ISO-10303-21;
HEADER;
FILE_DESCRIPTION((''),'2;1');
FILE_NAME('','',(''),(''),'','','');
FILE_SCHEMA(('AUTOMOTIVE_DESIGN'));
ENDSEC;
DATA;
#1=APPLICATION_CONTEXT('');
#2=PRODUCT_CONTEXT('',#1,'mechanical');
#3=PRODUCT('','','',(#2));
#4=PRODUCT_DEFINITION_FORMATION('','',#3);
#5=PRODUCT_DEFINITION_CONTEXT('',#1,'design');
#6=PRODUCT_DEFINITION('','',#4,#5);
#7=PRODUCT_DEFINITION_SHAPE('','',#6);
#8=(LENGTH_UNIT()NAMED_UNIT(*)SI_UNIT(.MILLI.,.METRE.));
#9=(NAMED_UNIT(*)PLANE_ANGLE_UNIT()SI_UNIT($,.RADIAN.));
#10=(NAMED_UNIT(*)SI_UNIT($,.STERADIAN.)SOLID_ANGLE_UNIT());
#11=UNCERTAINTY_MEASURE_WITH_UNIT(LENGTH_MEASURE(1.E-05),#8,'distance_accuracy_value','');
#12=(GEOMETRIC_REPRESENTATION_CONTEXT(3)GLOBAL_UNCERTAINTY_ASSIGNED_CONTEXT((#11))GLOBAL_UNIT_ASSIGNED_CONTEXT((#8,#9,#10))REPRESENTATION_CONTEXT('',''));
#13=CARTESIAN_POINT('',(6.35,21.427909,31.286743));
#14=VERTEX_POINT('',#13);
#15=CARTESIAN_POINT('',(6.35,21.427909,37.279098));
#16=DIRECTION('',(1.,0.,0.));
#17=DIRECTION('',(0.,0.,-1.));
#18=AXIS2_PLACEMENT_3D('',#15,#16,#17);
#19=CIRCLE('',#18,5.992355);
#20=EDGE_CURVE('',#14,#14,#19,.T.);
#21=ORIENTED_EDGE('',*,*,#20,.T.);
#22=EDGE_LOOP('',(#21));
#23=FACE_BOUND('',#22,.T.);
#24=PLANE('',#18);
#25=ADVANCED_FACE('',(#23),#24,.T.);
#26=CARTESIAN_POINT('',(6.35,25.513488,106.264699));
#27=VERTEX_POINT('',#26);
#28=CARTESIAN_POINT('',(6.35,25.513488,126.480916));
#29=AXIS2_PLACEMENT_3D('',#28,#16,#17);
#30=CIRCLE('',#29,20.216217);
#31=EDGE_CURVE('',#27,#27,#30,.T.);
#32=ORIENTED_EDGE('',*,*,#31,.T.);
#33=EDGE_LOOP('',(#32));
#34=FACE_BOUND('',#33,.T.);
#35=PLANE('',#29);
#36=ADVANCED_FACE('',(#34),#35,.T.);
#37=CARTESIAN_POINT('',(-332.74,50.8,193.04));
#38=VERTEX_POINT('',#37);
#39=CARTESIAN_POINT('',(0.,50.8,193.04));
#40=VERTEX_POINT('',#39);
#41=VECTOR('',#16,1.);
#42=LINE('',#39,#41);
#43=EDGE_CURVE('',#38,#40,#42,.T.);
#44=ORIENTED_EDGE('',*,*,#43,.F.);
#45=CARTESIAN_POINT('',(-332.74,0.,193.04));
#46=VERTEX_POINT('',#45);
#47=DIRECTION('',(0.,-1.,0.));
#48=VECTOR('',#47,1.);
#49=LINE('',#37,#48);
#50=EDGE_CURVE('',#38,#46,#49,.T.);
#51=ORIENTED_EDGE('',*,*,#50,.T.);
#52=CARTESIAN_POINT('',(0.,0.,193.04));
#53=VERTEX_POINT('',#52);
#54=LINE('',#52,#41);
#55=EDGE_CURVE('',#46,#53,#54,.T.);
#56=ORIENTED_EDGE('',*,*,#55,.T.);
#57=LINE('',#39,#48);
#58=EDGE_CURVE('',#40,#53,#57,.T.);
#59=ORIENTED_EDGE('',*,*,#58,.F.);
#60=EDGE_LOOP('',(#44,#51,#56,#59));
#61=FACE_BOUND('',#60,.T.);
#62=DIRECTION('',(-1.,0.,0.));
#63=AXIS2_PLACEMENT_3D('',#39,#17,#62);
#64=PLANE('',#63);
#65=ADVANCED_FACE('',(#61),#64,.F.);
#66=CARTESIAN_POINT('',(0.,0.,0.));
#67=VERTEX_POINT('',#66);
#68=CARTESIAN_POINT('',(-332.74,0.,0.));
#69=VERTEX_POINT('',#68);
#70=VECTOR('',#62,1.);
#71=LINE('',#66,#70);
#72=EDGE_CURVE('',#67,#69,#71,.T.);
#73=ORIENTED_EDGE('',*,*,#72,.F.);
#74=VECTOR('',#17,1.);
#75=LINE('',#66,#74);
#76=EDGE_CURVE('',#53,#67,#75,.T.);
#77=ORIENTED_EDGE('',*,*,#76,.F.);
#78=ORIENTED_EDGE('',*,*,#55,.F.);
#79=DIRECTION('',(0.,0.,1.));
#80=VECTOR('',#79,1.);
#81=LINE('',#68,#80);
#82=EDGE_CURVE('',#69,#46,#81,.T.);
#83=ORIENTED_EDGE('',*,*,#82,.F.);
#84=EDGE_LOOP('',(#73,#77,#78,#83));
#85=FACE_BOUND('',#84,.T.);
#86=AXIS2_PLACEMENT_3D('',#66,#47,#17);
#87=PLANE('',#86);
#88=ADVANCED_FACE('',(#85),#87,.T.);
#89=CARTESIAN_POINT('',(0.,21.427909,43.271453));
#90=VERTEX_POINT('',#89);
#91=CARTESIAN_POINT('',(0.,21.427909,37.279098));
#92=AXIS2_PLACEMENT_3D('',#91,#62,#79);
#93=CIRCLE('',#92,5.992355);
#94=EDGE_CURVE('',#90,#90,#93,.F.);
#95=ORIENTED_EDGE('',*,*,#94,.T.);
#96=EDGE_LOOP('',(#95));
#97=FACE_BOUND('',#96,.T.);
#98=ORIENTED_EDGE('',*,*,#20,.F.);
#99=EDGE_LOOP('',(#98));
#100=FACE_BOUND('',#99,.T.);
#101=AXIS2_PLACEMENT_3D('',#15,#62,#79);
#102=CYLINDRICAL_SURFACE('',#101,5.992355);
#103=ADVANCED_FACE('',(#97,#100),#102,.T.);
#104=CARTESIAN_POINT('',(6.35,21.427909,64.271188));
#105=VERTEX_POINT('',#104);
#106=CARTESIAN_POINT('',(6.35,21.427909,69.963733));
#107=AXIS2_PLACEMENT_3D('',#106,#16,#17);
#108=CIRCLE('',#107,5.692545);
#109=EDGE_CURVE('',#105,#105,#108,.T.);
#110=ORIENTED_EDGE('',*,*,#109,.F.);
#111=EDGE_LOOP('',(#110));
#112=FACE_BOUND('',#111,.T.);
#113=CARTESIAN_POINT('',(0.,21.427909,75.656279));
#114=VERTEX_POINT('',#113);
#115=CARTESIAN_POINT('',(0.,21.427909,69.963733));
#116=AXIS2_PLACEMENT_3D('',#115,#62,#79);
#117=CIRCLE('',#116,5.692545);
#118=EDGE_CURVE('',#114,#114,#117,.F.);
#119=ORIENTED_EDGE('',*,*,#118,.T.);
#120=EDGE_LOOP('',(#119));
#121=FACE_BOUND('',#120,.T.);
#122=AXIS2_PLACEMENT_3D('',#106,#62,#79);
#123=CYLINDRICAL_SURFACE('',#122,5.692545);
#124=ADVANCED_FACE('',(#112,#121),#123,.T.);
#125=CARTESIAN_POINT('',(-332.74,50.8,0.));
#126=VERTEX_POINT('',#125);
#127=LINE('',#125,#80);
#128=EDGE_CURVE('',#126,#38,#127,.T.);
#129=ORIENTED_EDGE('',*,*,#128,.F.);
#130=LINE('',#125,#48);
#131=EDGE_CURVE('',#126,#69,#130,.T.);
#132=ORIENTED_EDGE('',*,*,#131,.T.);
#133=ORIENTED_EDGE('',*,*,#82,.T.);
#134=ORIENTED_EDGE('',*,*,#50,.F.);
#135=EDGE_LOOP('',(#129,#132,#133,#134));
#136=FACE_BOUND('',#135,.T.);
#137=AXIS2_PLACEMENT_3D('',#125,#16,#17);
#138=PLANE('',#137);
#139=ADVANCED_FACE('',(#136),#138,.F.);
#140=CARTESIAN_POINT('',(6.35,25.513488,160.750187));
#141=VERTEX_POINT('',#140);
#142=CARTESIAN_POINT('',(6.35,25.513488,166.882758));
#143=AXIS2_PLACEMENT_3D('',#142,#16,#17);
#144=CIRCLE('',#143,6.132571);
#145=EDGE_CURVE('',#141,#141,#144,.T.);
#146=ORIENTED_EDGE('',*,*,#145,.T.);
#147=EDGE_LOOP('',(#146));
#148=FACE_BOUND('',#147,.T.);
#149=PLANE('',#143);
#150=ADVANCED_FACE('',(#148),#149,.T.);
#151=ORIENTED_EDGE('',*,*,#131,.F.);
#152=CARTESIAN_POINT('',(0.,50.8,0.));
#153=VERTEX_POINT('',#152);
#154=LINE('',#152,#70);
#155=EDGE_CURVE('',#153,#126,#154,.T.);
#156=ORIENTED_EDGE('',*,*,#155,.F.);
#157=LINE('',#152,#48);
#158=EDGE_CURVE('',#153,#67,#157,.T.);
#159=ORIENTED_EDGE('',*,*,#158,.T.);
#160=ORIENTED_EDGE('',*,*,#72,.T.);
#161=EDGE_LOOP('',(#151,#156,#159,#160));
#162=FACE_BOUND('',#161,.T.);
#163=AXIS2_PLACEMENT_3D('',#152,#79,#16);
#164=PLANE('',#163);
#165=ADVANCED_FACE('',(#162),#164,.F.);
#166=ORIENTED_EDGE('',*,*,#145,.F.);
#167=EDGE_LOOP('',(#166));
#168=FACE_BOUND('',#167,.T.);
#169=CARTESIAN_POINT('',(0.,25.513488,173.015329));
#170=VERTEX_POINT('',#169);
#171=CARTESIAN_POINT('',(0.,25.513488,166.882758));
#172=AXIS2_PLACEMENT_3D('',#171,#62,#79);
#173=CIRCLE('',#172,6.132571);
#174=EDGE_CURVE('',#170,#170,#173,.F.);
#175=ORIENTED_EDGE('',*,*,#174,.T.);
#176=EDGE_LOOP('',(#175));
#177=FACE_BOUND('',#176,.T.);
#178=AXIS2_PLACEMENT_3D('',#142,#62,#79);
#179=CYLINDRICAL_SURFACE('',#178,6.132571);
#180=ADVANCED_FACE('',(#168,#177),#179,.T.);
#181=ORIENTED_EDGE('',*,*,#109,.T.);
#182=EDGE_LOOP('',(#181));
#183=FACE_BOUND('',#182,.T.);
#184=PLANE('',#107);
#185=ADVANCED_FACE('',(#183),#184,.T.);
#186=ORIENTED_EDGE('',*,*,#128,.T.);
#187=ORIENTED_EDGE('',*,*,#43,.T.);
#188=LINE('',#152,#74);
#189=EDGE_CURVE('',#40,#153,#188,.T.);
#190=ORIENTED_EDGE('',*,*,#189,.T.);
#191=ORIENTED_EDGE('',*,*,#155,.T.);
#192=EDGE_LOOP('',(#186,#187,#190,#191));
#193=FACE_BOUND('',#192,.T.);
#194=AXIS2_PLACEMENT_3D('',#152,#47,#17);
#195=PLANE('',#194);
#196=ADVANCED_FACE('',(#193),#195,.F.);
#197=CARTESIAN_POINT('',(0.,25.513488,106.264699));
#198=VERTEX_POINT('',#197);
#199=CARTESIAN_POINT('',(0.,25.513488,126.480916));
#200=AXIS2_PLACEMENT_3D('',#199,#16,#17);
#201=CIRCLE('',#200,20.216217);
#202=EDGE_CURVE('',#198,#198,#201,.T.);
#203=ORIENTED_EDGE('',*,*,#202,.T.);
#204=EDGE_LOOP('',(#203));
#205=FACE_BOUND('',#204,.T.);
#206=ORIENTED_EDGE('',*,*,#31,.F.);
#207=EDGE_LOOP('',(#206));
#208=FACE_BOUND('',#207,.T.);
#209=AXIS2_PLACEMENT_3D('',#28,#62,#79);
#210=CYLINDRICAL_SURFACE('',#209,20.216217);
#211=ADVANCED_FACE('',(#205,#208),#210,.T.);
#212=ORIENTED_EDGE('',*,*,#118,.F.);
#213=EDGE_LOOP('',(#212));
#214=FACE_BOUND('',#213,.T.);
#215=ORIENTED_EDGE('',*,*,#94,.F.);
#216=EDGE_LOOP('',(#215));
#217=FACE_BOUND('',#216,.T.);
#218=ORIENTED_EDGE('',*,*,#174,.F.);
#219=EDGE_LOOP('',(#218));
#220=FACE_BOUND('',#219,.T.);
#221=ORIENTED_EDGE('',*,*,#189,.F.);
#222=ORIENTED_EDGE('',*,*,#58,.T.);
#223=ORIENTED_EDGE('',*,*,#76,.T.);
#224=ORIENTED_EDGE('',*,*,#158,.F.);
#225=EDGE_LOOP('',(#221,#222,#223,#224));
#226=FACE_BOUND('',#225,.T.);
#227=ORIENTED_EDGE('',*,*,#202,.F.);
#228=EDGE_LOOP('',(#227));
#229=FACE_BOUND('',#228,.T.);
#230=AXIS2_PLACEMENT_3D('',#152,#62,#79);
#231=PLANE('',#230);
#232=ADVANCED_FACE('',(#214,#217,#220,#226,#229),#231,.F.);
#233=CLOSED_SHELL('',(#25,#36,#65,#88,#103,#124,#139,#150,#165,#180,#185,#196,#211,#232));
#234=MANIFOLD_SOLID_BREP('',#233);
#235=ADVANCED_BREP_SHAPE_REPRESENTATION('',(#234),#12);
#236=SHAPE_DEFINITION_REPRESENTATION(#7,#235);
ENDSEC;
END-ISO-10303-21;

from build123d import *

# Parameters (mm, degrees)
SKETCH1_W           = 332.74
SKETCH1_H           = 193.04
BOSS_EXTRUDE1_DEPTH = 50.8
SKETCH2_R           = 20.216216718
SKETCH2_R_2         = 6.132571036
SKETCH2_R_3         = 5.692545101
SKETCH2_R_4         = 5.992355172
BOSS_EXTRUDE2_DEPTH = 6.35


with BuildPart() as part:
    # Sketch1 → Boss-Extrude1 (new body)
    with BuildSketch(Plane(origin=(0, 0, 0), x_dir=(1, 0, 0), z_dir=(0, 1, 0))):
        with Locations((-166.37, -96.52)):
            Rectangle(SKETCH1_W, SKETCH1_H)
    extrude(amount=BOSS_EXTRUDE1_DEPTH)

    # Sketch2 → Boss-Extrude2 (add)
    with BuildSketch(Plane(origin=(0, 0, 0), x_dir=(0, 0, -1), z_dir=(1, 0, 0))):
        with Locations((-126.480916113, 25.513488319)):
            Circle(SKETCH2_R)
        with Locations(Location((-166.882757539, 25.513488319, 0), (0, 0, 180))):
            Circle(SKETCH2_R_2)
        with Locations(Location((-69.963733445, 21.427908849, 0), (0, 0, 180))):
            Circle(SKETCH2_R_3)
        with Locations(Location((-37.279097685, 21.427908849, 0), (0, 0, 180))):
            Circle(SKETCH2_R_4)
    extrude(amount=BOSS_EXTRUDE2_DEPTH)


solid = part.part
